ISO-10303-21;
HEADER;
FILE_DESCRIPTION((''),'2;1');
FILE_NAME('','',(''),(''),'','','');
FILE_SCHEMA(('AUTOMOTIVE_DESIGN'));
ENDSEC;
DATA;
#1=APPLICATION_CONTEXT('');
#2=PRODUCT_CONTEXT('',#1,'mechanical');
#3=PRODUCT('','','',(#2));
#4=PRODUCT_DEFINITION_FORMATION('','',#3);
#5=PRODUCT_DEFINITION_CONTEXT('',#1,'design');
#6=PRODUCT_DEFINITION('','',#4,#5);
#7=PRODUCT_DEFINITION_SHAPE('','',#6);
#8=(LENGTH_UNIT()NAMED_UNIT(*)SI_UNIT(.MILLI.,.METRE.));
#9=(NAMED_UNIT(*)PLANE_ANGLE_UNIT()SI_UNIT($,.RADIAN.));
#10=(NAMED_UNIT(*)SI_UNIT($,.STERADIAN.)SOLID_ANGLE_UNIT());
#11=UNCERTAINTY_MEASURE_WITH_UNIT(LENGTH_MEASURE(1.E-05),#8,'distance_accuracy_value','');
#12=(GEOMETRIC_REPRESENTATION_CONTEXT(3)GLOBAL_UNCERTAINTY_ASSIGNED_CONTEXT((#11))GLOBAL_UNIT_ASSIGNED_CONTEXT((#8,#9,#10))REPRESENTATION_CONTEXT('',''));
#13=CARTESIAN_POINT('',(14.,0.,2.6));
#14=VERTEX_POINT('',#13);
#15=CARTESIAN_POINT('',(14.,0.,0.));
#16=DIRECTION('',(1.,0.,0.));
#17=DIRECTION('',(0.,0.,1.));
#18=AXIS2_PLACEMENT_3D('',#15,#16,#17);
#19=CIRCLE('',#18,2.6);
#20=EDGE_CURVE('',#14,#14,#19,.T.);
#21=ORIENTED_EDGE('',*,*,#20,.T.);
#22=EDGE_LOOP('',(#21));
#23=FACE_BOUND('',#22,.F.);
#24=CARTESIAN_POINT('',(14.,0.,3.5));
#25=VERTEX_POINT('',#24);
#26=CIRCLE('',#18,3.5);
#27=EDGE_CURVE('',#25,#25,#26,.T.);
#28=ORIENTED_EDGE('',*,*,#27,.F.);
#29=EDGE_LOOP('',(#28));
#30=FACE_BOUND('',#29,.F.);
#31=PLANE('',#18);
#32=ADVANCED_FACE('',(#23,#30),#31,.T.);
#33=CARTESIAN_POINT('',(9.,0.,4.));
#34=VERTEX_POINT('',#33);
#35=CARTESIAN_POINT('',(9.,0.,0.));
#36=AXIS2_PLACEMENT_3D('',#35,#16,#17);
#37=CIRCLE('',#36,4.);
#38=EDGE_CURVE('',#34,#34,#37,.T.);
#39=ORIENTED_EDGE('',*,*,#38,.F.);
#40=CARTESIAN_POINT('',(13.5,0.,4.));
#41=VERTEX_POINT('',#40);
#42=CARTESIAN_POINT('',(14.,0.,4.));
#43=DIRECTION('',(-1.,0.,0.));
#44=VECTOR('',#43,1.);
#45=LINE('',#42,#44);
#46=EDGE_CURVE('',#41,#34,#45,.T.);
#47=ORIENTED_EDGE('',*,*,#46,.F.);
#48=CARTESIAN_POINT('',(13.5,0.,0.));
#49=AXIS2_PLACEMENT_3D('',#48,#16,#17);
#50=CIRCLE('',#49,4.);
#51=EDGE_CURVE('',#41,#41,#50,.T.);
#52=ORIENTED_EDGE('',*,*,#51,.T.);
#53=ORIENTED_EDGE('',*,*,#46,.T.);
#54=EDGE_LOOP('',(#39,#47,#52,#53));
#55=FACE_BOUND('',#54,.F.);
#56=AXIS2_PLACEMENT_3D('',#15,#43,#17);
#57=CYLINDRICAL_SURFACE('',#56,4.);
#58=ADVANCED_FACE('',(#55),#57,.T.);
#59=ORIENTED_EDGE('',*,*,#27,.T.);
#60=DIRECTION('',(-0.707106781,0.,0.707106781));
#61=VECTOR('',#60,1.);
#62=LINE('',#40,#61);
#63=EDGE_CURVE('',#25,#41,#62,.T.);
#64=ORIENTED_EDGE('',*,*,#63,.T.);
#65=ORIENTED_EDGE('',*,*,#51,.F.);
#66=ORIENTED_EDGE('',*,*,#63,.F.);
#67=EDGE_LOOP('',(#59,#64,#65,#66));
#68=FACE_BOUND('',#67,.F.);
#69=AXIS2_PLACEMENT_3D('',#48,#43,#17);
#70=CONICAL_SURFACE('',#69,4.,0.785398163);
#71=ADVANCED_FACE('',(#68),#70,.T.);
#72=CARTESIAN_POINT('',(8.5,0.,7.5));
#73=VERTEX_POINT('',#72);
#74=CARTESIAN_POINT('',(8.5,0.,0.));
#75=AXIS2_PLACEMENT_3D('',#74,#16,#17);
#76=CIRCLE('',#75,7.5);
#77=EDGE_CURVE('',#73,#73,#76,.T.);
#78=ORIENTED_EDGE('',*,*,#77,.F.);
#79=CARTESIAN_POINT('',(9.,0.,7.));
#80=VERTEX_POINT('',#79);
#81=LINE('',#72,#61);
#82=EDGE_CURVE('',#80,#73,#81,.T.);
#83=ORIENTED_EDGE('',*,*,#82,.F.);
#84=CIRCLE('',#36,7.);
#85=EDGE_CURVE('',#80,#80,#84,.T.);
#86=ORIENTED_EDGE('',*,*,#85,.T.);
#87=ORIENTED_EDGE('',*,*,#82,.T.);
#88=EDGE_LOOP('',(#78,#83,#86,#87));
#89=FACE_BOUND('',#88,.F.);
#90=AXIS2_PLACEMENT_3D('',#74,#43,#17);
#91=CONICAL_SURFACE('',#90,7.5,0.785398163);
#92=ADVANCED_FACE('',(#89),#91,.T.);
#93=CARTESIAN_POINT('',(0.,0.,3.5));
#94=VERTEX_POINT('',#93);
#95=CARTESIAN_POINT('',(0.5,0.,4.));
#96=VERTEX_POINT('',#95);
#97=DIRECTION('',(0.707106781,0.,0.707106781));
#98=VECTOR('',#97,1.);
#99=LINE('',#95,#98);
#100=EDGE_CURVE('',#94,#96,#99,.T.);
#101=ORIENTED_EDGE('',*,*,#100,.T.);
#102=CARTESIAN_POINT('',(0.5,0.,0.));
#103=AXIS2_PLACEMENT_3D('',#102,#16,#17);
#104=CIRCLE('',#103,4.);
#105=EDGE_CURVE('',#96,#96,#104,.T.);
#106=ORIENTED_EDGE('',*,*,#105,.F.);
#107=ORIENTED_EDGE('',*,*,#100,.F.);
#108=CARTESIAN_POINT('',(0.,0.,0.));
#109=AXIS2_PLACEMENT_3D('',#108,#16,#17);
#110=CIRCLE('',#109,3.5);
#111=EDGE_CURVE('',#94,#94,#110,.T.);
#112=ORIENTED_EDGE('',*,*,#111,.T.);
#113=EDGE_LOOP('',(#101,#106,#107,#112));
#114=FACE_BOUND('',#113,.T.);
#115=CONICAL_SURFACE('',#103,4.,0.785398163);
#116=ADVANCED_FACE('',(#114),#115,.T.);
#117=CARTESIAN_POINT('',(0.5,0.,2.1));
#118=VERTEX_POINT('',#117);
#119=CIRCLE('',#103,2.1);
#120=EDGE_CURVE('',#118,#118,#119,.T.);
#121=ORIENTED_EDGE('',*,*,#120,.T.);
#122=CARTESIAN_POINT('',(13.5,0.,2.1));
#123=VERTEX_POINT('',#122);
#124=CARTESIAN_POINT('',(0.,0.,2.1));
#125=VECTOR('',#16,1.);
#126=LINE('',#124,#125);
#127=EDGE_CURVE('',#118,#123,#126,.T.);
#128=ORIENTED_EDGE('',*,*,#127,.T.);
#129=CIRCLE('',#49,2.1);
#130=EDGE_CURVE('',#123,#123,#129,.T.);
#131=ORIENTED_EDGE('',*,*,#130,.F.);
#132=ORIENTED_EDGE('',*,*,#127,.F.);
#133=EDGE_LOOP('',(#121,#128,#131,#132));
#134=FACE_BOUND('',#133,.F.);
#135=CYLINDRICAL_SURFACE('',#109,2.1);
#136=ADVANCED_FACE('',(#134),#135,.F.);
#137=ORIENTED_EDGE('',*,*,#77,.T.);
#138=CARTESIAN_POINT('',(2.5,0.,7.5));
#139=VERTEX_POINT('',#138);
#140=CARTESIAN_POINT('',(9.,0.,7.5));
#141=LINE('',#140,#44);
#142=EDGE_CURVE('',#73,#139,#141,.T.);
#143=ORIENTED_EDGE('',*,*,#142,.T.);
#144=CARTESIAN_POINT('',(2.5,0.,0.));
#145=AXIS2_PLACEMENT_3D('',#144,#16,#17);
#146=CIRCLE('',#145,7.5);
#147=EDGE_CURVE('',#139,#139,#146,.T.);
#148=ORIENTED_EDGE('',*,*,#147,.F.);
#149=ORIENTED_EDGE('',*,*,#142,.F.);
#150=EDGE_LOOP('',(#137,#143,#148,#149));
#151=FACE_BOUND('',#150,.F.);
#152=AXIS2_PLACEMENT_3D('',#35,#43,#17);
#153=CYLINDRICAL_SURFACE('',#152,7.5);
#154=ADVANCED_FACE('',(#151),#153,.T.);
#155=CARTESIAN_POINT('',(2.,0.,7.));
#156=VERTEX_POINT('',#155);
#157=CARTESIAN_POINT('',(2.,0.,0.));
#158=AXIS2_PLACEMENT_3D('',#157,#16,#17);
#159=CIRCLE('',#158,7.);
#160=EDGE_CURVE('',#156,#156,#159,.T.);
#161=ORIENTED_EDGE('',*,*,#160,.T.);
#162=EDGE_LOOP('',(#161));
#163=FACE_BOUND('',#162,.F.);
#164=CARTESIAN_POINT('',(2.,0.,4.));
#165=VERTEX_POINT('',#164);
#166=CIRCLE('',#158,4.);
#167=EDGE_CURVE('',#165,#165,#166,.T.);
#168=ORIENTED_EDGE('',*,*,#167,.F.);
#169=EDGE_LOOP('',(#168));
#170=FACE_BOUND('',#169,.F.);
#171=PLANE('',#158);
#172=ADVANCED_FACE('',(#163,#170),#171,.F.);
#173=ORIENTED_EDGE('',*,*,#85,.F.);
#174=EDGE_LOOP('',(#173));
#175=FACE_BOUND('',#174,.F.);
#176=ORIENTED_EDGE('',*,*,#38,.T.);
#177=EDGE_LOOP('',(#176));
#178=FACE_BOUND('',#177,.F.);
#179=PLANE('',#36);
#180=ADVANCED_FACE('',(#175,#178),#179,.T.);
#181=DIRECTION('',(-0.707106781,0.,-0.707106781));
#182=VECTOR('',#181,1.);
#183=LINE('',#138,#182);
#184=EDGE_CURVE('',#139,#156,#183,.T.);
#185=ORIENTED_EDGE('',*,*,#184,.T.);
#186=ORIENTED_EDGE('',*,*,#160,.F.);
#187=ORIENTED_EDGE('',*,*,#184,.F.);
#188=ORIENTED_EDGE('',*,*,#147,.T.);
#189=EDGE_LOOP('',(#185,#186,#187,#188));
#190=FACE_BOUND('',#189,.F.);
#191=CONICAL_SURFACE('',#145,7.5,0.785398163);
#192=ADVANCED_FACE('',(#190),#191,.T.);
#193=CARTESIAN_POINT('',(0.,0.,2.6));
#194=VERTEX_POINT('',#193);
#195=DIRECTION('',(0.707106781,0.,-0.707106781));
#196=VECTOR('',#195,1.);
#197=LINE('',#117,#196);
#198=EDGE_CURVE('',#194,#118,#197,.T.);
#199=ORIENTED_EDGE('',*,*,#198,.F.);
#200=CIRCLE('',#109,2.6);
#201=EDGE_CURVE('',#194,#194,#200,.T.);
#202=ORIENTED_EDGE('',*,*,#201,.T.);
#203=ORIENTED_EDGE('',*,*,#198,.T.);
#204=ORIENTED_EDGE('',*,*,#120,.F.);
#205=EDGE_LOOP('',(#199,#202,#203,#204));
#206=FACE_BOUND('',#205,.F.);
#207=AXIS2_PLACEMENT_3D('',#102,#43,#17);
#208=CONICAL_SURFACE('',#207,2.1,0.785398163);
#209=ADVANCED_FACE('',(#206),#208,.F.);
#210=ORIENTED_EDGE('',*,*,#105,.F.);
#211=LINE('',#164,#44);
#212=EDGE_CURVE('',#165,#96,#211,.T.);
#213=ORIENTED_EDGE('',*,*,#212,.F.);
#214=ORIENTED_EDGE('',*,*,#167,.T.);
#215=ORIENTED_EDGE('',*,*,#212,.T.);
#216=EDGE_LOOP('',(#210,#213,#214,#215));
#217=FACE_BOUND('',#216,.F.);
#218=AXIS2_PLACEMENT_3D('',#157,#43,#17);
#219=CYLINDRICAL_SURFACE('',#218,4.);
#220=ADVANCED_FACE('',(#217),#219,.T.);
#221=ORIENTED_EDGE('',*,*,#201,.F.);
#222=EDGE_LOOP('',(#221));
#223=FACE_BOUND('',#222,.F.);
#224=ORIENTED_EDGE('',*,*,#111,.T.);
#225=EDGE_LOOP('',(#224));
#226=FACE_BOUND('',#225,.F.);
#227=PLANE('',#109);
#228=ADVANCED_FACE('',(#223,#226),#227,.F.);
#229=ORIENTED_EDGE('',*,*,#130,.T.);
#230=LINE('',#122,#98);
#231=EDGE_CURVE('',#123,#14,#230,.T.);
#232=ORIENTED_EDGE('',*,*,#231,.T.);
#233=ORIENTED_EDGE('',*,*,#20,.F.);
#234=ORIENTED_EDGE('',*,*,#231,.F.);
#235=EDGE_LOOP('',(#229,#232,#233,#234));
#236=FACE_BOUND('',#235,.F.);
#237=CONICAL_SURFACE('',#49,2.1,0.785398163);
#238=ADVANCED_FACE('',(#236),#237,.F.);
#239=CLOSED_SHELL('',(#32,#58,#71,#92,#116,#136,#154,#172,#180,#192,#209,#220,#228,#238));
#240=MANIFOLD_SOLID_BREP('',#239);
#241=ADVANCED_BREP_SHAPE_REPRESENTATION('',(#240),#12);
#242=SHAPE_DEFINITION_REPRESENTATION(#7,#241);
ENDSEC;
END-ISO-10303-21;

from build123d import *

# Parameters (mm, degrees)
F2_SIZE = 0.5


with BuildPart() as f1:
    # F0 (on Front) → F1 (revolve)
    with BuildSketch(Plane.XZ):
        Polygon((0, 4), (0, 2.1), (14, 2.1), (14, 4), (9, 4), (9, 7.5), (2, 7.5), (2, 4), align=None)
    revolve(axis=Axis((9.418666, 0, 0), (1, 0, 0)))

    # F2
    f2_edges = [f1.edges().sort_by_distance(p)[0] for p in [
        (9, 0, -7.5),
        (2, 0, -7.5),
        (5.5, 0, 7.5),
        (0, 0, -2.1),
        (14, 0, -2.1),
        (7, 0, 2.1),
        (14, 0, -4),
        (0, 0, -4),
    ]]
    chamfer(f2_edges, length=F2_SIZE)


solid = f1.part
